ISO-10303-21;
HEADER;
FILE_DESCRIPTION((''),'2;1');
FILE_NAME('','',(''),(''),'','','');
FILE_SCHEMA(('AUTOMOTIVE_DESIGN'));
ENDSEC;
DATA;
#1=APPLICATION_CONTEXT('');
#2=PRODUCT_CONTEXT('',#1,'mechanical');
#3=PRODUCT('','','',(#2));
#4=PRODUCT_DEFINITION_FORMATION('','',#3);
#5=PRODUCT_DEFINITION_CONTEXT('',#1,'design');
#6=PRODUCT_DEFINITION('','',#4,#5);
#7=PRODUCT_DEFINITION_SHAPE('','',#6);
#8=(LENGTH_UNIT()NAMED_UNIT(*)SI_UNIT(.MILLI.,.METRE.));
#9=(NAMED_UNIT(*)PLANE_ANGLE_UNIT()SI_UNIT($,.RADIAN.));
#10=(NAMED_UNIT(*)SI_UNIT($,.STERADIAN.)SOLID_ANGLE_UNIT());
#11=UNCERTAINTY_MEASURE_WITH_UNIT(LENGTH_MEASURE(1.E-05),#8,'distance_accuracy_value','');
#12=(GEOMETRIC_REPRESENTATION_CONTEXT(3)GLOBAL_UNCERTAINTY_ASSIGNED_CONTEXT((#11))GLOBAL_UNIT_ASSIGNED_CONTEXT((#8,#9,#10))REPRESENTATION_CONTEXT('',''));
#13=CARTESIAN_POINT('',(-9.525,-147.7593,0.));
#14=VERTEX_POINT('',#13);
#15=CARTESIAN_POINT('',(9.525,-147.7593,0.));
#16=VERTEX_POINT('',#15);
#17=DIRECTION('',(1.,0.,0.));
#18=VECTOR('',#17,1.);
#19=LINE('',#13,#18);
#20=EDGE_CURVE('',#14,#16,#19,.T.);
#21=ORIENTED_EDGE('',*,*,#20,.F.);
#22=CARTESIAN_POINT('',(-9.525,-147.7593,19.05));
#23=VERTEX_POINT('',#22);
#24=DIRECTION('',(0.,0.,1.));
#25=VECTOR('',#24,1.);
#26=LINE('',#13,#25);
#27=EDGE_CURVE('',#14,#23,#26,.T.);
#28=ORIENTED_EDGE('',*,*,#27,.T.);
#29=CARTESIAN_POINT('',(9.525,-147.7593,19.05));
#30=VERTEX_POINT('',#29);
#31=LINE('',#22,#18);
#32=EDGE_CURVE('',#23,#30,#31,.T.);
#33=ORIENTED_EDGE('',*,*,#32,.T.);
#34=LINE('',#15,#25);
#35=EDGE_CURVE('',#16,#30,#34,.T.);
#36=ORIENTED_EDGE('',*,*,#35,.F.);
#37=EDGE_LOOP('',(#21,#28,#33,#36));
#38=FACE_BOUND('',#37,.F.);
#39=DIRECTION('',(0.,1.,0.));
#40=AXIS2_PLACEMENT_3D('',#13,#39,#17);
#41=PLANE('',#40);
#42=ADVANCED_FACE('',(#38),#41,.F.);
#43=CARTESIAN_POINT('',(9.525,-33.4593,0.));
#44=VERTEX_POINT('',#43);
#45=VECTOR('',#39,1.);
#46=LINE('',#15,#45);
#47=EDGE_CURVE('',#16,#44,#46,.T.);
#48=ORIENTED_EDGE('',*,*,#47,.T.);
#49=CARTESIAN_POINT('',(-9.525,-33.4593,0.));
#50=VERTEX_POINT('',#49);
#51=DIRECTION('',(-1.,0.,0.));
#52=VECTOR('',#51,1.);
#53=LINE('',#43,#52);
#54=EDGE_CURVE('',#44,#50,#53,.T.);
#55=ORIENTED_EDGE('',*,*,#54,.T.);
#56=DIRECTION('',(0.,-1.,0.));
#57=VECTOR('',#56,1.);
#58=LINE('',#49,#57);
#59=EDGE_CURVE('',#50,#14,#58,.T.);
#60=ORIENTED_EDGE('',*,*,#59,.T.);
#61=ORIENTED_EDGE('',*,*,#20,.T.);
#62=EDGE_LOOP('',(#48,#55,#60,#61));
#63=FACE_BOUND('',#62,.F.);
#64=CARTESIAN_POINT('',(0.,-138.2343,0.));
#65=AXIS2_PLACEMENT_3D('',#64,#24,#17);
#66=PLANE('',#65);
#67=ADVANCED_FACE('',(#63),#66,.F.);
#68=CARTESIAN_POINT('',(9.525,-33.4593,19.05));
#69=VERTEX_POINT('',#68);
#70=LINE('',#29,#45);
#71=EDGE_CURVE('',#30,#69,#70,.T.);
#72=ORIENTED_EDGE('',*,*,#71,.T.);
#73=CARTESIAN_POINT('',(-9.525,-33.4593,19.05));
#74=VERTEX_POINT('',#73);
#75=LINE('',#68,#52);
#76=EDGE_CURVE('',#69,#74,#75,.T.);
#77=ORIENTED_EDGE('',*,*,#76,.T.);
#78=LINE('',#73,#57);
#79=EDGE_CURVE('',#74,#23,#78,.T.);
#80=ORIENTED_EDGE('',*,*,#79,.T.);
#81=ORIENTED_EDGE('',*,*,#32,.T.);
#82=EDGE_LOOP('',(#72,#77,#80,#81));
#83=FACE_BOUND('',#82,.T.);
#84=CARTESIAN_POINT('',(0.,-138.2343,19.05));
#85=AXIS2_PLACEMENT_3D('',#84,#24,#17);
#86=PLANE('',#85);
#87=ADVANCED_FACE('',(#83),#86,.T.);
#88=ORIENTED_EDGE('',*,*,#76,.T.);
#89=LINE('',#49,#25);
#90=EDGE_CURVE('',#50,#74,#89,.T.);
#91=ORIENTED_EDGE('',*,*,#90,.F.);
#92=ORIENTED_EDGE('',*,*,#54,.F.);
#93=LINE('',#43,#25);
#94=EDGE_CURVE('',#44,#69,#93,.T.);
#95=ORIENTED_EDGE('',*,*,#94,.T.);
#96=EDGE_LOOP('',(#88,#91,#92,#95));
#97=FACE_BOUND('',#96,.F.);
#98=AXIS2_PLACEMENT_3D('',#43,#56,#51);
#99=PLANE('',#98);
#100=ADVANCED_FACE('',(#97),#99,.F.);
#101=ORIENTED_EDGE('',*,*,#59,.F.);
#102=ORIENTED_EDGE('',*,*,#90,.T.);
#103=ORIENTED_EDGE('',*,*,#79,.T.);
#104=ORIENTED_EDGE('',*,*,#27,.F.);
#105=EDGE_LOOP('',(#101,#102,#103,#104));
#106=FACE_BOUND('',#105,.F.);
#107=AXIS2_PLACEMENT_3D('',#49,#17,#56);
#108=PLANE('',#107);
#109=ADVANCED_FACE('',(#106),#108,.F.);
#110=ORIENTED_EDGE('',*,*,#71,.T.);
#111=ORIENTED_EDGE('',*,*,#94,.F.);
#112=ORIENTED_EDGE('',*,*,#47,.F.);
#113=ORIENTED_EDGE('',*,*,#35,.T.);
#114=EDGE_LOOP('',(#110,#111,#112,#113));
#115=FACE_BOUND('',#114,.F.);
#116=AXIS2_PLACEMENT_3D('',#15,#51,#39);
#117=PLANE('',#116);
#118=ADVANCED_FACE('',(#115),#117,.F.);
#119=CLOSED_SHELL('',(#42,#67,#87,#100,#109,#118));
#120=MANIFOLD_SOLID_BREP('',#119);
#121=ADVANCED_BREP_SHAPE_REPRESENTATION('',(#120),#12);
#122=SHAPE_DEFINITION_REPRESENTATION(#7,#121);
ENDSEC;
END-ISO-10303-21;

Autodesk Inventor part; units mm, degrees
ref_plane "YZ Plane" through (0, 0, 0) normal (1, 0, 0) x (0, 1, 0)
ref_plane "XZ Plane" through (0, 0, 0) normal (0, 1, 0) x (-1, 0, 0)
ref_plane "XY Plane" through (0, 0, 0) normal (0, 0, 1) x (1, 0, 0)
ref_plane "Work Plane1" through (0, -138.2343, 0) normal (0, 0, 1) x (1, 0, 0)
sketch "Sketch1" plane through (0, -138.2343, 0) normal (0, 0, 1) x (1, 0, 0)
  line L0 (-9.525, -9.525) -> (9.525, -9.525) projected
  line L1 (9.525, 104.775) -> (-9.525, 104.775) projected
  line L2 (-9.525, 104.775) -> (-9.525, -9.525)
  line L3 (9.525, -9.525) -> (9.525, 104.775)
  point P0 (0, 138.2343)
extrude "Extrusion1" add sketch "Sketch1" along normal blind 19.05
properties part number "front peice left"
